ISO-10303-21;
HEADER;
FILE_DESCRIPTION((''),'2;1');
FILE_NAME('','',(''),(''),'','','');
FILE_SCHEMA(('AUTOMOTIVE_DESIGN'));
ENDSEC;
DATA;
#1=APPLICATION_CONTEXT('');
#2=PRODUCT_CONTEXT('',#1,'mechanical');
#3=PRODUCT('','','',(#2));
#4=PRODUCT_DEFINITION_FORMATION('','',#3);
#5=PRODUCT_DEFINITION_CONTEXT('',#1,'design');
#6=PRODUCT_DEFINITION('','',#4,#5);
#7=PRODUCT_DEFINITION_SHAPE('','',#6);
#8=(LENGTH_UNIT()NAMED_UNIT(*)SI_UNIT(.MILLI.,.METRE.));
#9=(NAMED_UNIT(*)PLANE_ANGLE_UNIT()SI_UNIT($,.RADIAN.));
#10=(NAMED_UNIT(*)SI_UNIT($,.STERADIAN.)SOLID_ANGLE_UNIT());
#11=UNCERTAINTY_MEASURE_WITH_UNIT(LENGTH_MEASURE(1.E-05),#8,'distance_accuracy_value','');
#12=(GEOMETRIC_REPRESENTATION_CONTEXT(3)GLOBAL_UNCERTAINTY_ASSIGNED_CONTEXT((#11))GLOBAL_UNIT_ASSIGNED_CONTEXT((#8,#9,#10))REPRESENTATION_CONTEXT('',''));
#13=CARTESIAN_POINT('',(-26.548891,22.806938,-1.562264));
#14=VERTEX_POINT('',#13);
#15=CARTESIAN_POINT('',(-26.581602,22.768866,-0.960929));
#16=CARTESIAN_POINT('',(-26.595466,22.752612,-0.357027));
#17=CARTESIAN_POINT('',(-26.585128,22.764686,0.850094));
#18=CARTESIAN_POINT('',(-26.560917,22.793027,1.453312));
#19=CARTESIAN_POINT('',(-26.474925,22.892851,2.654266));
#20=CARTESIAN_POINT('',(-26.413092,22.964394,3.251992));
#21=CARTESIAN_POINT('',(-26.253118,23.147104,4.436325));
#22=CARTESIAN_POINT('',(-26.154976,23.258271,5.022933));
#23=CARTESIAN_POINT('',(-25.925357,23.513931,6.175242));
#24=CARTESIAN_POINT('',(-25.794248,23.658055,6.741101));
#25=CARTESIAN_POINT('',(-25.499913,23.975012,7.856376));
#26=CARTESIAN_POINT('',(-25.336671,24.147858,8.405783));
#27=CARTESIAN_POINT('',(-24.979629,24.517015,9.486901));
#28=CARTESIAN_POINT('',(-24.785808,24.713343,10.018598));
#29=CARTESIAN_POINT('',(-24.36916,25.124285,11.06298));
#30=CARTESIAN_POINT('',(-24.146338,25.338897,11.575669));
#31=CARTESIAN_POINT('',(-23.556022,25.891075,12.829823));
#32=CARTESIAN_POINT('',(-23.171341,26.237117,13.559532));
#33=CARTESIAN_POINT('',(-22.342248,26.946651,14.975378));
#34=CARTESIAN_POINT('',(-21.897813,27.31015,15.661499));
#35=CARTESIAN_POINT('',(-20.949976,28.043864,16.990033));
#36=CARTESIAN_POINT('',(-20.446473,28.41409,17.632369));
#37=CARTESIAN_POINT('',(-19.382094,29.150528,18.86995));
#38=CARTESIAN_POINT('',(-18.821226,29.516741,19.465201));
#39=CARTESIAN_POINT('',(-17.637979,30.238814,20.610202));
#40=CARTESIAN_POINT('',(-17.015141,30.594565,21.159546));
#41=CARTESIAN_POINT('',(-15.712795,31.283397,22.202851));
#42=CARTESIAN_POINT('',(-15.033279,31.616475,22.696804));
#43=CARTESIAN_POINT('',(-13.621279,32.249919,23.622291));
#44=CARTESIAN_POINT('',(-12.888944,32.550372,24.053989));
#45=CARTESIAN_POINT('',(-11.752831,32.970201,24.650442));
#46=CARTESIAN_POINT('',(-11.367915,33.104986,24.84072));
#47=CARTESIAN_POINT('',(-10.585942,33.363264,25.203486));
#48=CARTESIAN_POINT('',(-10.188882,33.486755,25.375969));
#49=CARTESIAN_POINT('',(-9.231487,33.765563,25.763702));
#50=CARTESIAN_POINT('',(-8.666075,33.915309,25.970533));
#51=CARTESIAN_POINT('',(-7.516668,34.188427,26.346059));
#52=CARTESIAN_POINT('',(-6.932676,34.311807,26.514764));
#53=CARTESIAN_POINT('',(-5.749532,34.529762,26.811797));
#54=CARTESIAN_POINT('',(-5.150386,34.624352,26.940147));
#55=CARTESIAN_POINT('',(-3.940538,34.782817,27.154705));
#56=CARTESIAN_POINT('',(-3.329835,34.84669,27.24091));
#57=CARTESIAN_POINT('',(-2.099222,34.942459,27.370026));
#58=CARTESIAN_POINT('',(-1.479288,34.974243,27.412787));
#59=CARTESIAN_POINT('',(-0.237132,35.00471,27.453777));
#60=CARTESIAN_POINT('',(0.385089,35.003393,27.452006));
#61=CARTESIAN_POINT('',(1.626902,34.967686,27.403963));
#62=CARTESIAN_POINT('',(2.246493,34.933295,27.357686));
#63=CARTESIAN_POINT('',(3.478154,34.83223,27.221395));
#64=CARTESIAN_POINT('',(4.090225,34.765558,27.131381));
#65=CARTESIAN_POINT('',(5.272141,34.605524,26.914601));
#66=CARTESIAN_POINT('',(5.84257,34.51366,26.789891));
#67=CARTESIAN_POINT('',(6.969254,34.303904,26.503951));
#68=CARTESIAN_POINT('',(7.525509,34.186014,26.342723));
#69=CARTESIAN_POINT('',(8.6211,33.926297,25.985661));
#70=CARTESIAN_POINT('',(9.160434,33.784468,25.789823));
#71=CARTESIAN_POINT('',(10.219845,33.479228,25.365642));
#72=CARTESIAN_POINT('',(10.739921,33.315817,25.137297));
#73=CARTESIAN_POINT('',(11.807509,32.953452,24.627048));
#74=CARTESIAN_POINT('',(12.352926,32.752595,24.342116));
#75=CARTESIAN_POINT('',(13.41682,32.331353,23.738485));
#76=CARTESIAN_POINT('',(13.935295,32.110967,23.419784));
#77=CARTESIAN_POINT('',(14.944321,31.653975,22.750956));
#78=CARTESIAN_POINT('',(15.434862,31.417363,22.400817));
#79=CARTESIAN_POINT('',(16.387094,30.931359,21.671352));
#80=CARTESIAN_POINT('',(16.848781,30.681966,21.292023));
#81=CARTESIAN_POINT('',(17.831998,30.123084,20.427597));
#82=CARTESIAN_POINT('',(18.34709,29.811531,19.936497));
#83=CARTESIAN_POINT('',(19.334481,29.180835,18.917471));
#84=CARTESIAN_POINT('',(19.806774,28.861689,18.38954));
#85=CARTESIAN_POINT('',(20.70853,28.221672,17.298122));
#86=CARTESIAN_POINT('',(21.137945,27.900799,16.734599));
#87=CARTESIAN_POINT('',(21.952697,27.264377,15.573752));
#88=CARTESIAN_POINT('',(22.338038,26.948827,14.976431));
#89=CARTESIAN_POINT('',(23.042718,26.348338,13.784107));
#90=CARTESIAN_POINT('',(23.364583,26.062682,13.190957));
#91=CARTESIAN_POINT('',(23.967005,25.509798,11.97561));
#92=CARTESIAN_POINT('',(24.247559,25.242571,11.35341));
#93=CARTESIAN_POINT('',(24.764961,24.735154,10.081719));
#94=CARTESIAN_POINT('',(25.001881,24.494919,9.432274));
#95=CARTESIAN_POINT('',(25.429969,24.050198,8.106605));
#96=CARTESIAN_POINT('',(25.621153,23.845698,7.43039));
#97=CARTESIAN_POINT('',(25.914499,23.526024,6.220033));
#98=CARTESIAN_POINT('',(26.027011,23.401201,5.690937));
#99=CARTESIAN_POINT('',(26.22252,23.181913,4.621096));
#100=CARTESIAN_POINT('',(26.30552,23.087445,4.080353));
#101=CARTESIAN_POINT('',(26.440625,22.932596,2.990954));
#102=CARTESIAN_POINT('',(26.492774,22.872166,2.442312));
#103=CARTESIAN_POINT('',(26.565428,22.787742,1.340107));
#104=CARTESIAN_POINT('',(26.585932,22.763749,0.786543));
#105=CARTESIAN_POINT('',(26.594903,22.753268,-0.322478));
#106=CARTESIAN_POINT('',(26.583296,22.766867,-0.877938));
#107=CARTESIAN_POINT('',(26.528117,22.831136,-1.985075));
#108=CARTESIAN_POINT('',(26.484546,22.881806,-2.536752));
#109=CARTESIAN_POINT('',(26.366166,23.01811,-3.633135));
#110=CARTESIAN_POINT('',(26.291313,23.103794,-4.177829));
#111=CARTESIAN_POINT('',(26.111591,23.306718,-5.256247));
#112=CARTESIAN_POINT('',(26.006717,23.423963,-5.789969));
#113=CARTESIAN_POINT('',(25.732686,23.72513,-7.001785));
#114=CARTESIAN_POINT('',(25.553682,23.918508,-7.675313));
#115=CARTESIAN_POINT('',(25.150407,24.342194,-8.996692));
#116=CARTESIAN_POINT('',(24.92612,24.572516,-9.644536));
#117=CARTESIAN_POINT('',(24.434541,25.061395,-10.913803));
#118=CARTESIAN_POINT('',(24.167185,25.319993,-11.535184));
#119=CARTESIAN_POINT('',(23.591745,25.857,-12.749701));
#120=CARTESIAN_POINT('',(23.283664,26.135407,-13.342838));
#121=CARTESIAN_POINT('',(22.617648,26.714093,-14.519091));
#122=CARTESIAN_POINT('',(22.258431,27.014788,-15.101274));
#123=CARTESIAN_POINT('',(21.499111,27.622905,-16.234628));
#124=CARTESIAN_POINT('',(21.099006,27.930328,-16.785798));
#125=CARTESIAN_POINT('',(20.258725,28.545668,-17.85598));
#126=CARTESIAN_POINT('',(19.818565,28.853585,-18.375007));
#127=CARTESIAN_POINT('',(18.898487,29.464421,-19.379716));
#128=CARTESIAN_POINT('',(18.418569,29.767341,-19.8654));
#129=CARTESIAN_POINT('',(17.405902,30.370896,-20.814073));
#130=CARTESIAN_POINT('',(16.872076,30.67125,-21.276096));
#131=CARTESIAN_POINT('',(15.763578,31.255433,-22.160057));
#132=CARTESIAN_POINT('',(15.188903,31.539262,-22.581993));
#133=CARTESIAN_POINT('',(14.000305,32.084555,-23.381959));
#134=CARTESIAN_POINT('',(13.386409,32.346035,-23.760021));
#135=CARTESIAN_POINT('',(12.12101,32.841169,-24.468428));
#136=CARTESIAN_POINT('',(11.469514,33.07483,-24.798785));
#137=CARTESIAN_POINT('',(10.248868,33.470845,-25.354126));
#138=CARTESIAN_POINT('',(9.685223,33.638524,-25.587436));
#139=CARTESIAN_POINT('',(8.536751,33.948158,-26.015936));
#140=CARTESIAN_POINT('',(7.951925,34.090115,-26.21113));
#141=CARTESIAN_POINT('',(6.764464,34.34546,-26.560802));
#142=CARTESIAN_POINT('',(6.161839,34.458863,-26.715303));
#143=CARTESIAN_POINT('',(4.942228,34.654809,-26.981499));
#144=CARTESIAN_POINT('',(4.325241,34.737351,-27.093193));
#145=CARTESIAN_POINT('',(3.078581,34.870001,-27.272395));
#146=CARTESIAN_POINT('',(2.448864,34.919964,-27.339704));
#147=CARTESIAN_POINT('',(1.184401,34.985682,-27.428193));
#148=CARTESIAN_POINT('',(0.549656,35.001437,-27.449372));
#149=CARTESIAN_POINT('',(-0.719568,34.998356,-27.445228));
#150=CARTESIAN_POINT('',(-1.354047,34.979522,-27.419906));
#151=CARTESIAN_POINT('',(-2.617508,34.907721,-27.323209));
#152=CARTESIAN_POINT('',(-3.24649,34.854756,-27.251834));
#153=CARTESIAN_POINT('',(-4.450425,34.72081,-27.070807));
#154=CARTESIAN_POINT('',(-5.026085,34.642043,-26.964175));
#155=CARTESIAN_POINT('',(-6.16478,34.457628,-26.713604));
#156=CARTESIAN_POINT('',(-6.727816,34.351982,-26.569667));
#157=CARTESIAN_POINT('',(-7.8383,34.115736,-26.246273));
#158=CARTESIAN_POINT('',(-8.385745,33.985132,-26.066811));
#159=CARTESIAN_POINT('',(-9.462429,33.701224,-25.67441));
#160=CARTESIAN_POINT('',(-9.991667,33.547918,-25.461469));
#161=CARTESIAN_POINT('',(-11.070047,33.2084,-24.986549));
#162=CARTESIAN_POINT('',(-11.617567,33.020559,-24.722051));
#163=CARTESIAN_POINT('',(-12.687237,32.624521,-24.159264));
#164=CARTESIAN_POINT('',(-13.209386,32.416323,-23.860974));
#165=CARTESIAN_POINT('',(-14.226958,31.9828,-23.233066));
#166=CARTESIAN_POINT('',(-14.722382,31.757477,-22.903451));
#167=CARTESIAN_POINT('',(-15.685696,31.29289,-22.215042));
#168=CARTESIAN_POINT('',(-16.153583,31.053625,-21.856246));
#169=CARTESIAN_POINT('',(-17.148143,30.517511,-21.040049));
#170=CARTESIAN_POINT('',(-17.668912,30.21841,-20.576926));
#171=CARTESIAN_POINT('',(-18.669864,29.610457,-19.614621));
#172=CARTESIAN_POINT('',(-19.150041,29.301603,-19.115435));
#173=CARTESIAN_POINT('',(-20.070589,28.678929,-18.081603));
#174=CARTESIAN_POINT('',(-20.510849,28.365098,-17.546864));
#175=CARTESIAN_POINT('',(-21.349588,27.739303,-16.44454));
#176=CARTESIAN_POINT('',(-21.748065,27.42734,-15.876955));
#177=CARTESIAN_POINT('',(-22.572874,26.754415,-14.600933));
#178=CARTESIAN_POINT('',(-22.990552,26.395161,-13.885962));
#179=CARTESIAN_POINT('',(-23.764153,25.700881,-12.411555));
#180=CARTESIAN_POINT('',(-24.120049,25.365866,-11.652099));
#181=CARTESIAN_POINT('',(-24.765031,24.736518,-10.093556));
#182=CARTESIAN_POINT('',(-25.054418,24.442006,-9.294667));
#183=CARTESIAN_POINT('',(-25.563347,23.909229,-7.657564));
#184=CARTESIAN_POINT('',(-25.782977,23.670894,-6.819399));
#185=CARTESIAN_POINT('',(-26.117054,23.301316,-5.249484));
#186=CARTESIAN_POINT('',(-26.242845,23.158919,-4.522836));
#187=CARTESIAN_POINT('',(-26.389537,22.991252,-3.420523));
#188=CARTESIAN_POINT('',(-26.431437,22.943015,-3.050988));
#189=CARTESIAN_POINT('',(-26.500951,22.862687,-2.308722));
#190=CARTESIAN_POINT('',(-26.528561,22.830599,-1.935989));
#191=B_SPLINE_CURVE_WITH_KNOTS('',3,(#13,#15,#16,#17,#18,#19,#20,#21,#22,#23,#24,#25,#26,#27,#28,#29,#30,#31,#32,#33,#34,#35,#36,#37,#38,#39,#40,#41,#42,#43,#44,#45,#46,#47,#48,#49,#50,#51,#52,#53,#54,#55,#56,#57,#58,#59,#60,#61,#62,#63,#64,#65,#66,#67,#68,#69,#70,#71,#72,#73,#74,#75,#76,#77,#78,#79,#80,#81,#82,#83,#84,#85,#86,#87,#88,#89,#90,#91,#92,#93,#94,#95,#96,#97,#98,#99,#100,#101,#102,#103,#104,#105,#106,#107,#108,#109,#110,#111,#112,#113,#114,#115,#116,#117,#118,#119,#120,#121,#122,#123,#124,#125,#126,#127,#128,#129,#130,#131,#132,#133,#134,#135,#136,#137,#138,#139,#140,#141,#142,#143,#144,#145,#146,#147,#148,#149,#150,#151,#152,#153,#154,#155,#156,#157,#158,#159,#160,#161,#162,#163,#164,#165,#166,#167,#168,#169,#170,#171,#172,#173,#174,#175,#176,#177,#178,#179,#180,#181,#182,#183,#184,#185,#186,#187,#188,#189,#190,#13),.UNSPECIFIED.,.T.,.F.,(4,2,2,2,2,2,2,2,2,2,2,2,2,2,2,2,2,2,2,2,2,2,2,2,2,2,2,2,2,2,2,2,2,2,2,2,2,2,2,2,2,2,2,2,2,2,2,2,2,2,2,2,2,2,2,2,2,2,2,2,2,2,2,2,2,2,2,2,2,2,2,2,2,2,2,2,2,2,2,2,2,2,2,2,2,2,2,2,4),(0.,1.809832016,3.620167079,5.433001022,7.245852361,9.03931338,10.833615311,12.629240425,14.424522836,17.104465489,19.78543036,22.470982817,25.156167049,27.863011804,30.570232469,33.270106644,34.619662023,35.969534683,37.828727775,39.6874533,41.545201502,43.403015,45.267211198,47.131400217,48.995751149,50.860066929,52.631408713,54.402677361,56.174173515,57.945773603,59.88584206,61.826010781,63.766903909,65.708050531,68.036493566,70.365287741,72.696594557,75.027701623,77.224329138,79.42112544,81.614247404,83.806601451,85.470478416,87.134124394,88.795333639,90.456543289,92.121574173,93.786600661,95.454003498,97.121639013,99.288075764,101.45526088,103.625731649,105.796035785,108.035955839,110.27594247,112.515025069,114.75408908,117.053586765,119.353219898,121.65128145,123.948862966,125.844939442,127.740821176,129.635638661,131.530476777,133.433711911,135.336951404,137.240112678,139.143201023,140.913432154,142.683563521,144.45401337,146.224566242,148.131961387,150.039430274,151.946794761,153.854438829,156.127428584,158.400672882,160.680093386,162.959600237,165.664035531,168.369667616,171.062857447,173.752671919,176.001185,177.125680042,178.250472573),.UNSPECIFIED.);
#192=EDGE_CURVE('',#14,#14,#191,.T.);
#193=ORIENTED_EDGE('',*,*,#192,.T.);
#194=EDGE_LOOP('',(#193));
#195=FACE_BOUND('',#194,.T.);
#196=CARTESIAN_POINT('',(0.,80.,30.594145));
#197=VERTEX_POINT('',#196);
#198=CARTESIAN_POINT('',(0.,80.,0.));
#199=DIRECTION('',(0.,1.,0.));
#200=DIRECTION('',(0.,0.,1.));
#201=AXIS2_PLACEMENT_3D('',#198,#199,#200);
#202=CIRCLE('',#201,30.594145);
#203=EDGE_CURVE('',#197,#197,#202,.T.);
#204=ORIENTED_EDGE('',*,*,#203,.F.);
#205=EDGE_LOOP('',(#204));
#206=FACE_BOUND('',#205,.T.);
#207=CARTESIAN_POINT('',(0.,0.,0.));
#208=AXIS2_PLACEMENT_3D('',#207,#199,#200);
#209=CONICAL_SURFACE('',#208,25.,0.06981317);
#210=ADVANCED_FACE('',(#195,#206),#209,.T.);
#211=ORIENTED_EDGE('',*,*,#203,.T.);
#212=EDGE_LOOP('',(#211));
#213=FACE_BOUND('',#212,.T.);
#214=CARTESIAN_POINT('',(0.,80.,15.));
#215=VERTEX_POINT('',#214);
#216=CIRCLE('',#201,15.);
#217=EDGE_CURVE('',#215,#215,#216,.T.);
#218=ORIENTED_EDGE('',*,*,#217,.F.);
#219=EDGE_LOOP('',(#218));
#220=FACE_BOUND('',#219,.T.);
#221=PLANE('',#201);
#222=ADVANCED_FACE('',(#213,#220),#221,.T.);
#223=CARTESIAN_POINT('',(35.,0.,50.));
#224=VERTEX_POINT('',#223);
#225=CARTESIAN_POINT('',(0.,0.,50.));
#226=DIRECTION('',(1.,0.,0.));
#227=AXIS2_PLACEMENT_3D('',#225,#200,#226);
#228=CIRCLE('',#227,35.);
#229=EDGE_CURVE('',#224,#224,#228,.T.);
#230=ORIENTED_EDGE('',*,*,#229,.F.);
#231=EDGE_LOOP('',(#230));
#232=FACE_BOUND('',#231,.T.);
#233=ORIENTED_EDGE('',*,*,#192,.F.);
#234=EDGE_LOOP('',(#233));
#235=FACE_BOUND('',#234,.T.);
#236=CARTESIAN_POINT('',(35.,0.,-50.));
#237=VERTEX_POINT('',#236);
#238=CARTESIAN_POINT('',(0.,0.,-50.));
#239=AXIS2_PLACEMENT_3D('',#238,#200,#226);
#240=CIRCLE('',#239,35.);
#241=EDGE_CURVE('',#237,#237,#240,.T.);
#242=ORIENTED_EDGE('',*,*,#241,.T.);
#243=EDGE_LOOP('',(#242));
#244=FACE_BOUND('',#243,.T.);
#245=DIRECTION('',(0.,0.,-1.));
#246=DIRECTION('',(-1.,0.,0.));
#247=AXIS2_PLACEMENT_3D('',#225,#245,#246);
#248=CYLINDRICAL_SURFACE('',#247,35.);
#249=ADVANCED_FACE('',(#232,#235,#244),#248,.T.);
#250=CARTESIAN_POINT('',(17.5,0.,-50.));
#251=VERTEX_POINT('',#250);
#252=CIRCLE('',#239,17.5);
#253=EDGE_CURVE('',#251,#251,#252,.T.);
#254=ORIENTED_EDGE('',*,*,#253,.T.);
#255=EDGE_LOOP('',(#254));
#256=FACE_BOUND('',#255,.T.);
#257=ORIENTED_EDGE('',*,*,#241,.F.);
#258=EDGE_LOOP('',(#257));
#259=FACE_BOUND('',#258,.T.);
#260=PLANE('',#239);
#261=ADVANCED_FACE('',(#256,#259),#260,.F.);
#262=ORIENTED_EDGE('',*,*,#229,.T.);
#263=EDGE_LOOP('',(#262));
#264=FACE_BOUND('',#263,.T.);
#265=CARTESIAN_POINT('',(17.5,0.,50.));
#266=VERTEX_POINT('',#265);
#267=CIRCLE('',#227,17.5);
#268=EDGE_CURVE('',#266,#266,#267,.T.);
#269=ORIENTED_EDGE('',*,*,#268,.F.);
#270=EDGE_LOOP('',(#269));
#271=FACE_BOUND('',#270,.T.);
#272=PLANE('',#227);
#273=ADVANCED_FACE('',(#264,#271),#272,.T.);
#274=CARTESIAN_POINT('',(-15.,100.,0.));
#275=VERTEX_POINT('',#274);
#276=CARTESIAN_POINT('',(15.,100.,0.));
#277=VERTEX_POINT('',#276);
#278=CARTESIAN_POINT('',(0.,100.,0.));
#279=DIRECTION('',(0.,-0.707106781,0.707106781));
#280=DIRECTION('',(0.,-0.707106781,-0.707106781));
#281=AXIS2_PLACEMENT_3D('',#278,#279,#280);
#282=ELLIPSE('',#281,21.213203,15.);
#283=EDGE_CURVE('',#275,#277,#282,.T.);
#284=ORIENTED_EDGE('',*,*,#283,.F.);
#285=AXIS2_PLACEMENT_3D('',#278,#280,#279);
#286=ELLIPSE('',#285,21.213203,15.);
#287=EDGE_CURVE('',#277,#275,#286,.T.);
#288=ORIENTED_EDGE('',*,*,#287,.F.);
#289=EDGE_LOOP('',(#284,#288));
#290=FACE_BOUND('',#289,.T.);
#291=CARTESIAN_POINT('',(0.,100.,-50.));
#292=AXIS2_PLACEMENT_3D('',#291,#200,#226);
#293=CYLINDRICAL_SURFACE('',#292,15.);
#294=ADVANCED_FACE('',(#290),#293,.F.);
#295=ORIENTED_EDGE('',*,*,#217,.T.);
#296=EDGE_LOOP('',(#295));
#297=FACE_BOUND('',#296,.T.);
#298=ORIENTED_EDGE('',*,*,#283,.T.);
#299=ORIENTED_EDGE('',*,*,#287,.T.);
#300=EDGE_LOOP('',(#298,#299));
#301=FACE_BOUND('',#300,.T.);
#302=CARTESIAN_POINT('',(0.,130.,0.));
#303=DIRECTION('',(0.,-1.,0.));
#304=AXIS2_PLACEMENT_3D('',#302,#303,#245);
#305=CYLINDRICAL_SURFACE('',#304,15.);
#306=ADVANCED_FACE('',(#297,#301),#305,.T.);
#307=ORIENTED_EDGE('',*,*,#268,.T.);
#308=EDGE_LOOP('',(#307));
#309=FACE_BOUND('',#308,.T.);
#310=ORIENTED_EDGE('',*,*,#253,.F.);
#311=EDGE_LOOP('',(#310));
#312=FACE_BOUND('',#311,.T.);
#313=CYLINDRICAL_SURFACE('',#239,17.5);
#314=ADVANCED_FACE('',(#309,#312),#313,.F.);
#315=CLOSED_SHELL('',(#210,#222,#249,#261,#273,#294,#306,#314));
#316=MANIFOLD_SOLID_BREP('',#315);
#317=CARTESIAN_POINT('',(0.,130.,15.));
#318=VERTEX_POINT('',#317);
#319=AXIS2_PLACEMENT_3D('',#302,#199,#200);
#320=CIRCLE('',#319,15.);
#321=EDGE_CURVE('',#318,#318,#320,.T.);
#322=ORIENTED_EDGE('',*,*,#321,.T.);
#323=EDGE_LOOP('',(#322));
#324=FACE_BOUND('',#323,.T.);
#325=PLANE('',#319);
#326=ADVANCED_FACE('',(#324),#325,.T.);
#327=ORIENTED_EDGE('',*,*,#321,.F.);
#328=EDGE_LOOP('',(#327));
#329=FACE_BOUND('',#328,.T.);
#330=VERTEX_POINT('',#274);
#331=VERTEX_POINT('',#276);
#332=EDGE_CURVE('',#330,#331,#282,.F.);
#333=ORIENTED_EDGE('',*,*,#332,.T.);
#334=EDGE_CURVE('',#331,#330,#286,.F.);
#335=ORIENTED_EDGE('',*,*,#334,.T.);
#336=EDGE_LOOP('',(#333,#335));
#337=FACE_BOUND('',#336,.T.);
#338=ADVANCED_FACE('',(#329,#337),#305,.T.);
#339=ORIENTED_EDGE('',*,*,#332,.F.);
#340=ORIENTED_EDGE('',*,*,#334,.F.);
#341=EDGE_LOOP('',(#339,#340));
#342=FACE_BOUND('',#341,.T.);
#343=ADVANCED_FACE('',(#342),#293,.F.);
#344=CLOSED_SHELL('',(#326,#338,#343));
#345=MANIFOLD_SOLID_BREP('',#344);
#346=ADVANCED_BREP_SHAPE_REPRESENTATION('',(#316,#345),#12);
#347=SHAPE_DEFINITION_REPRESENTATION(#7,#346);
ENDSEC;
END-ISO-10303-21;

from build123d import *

# Parameters (mm, degrees)
SKETCH1_R           = 35
BOSS_EXTRUDE1_DEPTH = 50
SKETCH2_R           = 25
BOSS_EXTRUDE2_DEPTH = 80
BOSS_EXTRUDE2_DRAFT = -4
SKETCH8_R           = 15
CUT_EXTRUDE5_DEPTH  = 133.759180635
SKETCH7_R           = 15
BOSS_EXTRUDE3_DEPTH = 50
SKETCH4_R           = 17.5
CUT_EXTRUDE2_DEPTH  = 168.705098393
SKETCH6_R           = 15
CUT_EXTRUDE3_DEPTH  = 168.705098393


with BuildPart() as part:
    # Sketch1 → Boss-Extrude1 (new, symmetric)
    with BuildSketch(Plane.XY):
        Circle(SKETCH1_R)
    extrude(amount=BOSS_EXTRUDE1_DEPTH, both=True)


with BuildPart() as boss_extrude2_tool:
    # Sketch2 → Boss-Extrude2 (with draft: the straight prism first)
    with BuildSketch(Plane(origin=(0, 0, 0), x_dir=(1, 0, 0), z_dir=(0, 1, 0))):
        Circle(SKETCH2_R)
    extrude(amount=BOSS_EXTRUDE2_DEPTH)
    # Boss-Extrude2: the draft: its side faces are tilted about the plane it starts from
    boss_extrude2_sides = [boss_extrude2_tool.faces().sort_by_distance(p)[0] for p in [
        (-25, 40, 0),
    ]]
    draft(boss_extrude2_sides, Plane(origin=(0, 0, 0), x_dir=(1, 0, 0), z_dir=(0, 1, 0)), BOSS_EXTRUDE2_DRAFT)


with BuildPart() as part_1:
    add(part.part)

    # Boss-Extrude2: add boss_extrude2_tool
    add(boss_extrude2_tool.part)

    # Sketch8 → Cut-Extrude5 (cut, through all)
    with BuildSketch(Plane(origin=(0, 0, -50), x_dir=(-1, 0, 0), z_dir=(0, 0, -1))):
        Circle(SKETCH8_R)
    extrude(amount=-CUT_EXTRUDE5_DEPTH, mode=Mode.SUBTRACT)

    # Sketch7 → Boss-Extrude3 (add)
    with BuildSketch(Plane(origin=(0, 80, 0), x_dir=(1, 0, 0), z_dir=(0, 1, 0))):
        with Locations(Location((0, 0, 0), (0, 0, 270))):
            Circle(SKETCH7_R)
    extrude(amount=BOSS_EXTRUDE3_DEPTH)

    # Sketch4 → Cut-Extrude2 (cut, through all)
    with BuildSketch(Plane.XY.offset(50)):
        Circle(SKETCH4_R)
    extrude(amount=-CUT_EXTRUDE2_DEPTH, mode=Mode.SUBTRACT)

    # Sketch6 → Cut-Extrude3 (cut, through all)
    with BuildSketch(Plane.XY.offset(50)):
        with Locations((0, 100)):
            Circle(SKETCH6_R)
    extrude(amount=-CUT_EXTRUDE3_DEPTH, mode=Mode.SUBTRACT)


with BuildPart() as cut_extrude3_piece_1:
    # of the separate pieces the step leaves, piece 1, a body of its own (cut_extrude3_pieces)
    add(part_1.part.solids().sort_by_distance((26.591353454, 22.757414648, 0))[0])


with BuildPart() as cut_extrude3_piece_2:
    # of the separate pieces the step leaves, piece 2, a body of its own (cut_extrude3_pieces)
    add(part_1.part.solids().sort_by_distance((0, 115, 15))[0])


solid = Compound([cut_extrude3_piece_1.part, cut_extrude3_piece_2.part])
